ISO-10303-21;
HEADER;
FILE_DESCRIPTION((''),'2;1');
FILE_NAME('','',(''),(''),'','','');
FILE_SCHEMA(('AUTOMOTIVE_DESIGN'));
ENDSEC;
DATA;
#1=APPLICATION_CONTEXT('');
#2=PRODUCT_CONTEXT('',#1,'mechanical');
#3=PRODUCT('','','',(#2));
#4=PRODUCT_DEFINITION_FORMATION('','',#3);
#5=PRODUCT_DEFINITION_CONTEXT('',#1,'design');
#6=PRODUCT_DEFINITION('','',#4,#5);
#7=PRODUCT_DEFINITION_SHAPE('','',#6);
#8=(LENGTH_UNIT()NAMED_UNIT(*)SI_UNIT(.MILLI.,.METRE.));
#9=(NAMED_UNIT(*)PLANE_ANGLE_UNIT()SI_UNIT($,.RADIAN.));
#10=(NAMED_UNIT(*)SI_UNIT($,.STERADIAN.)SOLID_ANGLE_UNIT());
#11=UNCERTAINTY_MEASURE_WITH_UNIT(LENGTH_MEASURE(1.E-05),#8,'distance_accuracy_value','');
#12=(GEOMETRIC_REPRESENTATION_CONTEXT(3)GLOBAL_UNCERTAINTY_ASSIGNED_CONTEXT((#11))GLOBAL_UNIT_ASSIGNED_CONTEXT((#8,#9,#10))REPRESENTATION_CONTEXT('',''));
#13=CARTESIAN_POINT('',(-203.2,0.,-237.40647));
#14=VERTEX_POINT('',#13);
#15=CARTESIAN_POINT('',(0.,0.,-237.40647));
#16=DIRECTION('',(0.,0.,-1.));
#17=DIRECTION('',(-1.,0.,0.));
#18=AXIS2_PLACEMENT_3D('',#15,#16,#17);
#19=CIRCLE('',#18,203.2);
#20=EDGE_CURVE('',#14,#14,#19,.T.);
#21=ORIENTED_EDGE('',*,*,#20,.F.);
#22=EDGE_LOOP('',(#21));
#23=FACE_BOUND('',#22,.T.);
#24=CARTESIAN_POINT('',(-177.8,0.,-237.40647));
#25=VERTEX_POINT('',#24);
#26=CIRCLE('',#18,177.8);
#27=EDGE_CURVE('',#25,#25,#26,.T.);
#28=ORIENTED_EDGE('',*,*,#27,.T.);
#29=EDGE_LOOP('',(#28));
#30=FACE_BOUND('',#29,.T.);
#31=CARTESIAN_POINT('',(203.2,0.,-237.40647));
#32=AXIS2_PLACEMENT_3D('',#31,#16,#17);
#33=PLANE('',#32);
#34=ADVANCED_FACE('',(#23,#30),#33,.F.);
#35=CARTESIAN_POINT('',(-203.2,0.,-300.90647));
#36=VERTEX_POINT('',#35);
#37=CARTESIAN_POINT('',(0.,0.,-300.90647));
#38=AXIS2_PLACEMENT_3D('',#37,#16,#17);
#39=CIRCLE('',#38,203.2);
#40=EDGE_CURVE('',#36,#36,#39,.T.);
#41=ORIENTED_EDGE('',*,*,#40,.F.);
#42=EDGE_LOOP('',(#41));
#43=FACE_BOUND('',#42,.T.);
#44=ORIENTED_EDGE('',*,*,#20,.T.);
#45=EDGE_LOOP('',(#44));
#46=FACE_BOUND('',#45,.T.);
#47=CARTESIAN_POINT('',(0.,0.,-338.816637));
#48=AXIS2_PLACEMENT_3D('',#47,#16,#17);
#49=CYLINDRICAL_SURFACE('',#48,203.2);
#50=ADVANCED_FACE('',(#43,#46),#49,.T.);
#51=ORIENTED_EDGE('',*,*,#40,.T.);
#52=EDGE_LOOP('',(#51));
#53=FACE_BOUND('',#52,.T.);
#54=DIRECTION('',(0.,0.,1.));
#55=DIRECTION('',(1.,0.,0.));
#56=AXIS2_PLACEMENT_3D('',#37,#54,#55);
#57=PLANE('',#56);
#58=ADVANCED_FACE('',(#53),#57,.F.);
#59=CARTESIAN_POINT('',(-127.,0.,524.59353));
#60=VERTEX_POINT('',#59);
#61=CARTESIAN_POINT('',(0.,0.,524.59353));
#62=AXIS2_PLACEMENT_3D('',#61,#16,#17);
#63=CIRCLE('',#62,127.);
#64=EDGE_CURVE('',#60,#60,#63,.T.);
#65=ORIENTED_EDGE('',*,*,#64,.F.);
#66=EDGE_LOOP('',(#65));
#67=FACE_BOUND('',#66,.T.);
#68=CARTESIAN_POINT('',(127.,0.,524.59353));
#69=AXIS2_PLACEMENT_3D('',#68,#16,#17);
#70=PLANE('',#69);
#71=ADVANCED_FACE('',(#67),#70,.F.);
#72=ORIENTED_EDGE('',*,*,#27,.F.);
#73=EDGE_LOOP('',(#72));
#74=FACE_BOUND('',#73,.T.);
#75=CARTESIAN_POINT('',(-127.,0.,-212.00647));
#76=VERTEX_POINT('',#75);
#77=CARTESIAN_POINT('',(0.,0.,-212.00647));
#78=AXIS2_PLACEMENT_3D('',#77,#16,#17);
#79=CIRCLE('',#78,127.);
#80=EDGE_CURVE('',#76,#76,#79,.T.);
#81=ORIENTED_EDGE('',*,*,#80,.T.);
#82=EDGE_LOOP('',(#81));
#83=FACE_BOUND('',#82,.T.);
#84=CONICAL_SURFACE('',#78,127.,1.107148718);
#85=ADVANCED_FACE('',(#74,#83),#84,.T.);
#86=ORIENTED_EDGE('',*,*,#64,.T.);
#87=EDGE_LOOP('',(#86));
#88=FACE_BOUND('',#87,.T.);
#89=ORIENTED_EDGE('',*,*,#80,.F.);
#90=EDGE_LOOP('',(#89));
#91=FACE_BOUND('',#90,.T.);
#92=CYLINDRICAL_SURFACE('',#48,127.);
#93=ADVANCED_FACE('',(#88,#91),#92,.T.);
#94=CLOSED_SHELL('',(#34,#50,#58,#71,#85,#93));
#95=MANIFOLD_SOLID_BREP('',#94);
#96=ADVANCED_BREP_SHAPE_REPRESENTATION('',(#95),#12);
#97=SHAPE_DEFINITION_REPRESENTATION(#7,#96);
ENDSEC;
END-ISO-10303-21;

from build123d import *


with BuildPart() as part:
    # Sketch1 → Revolve2 (revolve)
    with BuildSketch(Plane(origin=(0, 0, 0), x_dir=(1, 0, 0), z_dir=(0, 1, 0)), mode=Mode.PRIVATE) as revolve2_sk:
        Polygon((0, 300.906470221), (203.2, 300.906470221), (203.2, 237.406470221), (177.8, 237.406470221), (127, 212.006470221), (127, -524.593529779), (0, -524.593529779), align=None)
    revolve(revolve2_sk.sketch.rotate(Axis((0, 0, -338.816637037), (0, 0, 1)), 180), axis=Axis((0, 0, -338.816637037), (0, 0, 1)))


solid = part.part
